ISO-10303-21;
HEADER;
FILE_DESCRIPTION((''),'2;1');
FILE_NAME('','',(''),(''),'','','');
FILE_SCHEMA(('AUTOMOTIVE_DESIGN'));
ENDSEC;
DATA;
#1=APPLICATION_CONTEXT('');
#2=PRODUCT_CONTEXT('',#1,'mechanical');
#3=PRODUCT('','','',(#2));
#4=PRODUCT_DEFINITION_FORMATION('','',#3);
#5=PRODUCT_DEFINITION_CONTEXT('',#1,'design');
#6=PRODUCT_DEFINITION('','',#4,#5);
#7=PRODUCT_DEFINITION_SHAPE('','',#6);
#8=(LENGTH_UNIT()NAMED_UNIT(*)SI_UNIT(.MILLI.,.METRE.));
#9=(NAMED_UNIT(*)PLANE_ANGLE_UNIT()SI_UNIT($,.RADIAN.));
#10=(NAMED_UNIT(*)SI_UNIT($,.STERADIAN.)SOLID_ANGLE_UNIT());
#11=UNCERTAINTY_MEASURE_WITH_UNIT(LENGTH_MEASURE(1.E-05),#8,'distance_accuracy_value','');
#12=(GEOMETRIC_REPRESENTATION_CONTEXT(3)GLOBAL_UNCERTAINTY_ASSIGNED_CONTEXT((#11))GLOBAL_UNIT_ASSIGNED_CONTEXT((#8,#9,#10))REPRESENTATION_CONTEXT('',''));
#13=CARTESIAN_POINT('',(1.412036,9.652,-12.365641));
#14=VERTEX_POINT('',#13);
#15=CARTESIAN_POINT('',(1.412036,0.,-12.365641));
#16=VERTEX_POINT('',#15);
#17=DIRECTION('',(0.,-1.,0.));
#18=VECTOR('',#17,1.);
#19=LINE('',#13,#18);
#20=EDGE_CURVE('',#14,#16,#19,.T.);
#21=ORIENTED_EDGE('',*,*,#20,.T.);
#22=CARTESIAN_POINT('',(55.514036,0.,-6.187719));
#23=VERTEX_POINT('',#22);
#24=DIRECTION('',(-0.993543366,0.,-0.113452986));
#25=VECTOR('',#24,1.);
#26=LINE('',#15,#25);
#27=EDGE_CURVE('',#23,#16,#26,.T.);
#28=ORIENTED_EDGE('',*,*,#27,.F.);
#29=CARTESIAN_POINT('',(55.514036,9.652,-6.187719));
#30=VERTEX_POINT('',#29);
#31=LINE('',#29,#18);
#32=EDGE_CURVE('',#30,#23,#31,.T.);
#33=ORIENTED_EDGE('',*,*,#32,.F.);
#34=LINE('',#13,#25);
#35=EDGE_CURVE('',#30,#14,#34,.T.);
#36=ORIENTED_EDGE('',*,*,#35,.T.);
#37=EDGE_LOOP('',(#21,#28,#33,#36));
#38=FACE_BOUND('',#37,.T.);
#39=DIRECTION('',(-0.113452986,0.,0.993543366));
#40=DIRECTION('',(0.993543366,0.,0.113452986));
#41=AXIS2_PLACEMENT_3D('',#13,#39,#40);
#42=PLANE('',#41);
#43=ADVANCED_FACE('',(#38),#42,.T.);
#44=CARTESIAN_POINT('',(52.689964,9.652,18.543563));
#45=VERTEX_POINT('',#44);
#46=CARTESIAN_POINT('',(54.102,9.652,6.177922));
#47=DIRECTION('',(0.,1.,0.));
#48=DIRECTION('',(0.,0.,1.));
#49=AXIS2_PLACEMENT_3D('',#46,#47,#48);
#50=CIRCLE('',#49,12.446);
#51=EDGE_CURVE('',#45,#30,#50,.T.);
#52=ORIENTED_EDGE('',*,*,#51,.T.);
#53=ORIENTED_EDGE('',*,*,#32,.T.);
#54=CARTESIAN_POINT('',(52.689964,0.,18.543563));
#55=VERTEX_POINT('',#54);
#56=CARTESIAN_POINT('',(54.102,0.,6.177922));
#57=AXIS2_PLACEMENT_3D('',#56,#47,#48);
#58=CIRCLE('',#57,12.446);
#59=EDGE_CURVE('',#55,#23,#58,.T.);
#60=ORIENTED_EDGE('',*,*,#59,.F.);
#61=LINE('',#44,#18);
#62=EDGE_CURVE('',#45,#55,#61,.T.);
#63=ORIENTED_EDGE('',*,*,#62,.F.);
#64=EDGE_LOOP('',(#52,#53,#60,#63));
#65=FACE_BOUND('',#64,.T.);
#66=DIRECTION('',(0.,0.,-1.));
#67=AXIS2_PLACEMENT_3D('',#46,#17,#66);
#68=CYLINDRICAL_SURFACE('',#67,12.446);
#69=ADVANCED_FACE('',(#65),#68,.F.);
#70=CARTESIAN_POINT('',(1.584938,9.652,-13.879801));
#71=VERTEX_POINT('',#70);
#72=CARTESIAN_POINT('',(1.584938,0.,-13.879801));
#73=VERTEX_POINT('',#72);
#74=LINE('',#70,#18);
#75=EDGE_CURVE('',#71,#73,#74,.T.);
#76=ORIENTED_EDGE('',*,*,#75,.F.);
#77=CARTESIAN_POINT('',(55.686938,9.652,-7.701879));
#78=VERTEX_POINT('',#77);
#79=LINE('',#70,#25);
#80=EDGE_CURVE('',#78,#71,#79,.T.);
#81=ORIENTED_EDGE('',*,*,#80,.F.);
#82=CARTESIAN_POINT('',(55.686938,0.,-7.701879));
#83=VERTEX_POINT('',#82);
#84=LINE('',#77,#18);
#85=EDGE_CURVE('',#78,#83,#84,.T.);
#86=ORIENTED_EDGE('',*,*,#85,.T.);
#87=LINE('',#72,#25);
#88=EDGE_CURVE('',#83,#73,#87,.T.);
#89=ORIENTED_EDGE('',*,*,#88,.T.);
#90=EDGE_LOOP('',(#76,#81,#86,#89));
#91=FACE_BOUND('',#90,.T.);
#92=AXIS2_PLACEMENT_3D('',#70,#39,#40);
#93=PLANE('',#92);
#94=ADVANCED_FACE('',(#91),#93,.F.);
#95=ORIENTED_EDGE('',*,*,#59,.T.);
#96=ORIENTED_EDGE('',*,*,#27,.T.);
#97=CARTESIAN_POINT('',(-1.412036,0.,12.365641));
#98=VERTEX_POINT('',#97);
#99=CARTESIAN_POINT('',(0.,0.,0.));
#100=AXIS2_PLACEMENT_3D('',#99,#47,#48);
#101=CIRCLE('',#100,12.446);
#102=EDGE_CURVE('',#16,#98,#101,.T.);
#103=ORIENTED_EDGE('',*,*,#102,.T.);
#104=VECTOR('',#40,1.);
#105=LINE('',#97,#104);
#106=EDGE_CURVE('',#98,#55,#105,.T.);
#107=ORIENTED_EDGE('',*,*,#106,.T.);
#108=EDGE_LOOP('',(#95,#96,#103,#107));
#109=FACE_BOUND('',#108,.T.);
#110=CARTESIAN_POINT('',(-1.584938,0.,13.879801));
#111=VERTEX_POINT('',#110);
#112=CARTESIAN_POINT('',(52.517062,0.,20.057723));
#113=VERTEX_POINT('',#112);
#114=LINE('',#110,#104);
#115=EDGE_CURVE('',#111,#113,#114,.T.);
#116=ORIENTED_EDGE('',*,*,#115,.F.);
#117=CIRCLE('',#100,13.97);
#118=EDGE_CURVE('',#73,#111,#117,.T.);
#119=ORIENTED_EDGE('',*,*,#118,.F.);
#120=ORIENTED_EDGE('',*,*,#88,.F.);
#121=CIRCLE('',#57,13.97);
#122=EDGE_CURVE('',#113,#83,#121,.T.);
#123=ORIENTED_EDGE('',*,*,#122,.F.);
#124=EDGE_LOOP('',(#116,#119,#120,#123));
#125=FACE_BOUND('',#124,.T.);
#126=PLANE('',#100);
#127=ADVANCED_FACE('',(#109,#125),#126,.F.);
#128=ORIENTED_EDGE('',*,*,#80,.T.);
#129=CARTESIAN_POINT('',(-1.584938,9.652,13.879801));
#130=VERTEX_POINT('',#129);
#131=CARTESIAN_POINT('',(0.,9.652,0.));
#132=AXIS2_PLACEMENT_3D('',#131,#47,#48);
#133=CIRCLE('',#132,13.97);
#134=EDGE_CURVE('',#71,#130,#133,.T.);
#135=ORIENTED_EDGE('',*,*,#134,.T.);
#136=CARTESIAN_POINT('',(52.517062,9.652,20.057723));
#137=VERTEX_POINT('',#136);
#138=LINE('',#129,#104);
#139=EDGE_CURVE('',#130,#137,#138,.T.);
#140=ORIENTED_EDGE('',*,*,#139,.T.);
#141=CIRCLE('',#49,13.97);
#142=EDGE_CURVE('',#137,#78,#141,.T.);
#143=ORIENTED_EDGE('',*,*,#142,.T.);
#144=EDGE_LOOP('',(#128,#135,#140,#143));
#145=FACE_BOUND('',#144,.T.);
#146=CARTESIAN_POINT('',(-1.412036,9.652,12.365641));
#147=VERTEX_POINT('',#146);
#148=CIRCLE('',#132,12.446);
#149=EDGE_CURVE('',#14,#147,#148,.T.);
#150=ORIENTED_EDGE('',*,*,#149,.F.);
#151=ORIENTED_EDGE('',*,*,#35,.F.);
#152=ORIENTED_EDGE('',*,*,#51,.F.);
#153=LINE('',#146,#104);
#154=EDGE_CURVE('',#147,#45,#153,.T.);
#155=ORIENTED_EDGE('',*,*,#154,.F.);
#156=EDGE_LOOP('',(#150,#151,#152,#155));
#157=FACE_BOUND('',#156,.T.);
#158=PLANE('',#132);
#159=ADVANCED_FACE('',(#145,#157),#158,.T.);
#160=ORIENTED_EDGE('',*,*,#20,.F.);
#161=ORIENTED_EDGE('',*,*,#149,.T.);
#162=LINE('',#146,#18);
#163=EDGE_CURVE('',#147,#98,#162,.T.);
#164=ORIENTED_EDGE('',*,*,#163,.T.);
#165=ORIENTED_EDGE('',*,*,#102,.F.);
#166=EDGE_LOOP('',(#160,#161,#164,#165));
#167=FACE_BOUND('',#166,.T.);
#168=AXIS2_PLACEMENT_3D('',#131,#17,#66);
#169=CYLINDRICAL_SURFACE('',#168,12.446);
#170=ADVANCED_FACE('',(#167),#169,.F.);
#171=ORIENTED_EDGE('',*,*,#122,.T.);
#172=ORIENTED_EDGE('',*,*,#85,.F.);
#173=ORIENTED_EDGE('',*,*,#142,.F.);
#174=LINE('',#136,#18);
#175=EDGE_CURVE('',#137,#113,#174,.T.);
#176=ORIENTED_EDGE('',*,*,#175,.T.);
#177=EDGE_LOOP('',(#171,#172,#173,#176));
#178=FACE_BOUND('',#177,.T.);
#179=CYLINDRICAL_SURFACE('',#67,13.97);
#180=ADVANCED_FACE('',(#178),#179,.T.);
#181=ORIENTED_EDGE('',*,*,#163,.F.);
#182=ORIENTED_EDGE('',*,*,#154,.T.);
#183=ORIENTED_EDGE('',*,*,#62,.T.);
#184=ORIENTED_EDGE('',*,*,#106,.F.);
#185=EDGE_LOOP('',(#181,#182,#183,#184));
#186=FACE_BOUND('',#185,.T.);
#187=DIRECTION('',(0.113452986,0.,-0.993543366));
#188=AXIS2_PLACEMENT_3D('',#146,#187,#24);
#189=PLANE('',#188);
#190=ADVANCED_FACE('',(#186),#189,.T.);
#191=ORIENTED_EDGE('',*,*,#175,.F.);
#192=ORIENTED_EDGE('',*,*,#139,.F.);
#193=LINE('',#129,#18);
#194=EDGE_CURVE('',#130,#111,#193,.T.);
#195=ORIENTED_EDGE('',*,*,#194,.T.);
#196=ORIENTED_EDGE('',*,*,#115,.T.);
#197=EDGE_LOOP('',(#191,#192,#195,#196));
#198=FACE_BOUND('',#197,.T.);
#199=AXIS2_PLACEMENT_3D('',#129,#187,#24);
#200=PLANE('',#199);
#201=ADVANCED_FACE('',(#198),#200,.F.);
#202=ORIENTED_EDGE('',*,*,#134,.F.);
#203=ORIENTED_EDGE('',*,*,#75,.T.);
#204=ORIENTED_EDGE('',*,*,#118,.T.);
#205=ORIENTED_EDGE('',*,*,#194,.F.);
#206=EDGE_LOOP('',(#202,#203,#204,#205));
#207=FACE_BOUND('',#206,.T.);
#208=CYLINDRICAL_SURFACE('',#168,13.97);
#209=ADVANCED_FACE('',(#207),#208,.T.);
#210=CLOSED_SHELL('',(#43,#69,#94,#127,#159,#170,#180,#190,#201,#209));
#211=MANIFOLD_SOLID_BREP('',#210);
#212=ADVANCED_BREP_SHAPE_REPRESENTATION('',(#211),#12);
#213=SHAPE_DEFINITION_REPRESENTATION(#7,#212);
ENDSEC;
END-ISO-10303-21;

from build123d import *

# Parameters (mm, degrees)
BOSS_EXTRUDE1_DEPTH = 9.652


with BuildPart() as part:
    # Sketch1 → Boss-Extrude1 (new body)
    with BuildSketch(Plane(origin=(0, 0, 0), x_dir=(1, 0, 0), z_dir=(0, 1, 0))):
        with BuildLine():
            Line((1.584938216, 13.879800822), (55.686938216, 7.701878783))
            ThreePointArc((55.686938216, 7.701878783), (67.981800822, -7.762860255), (52.517061784, -20.05772286))
            Line((52.517061784, -20.05772286), (-1.584938216, -13.879800822))
            ThreePointArc((-1.584938216, -13.879800822), (-13.879800822, 1.584938216), (1.584938216, 13.879800822))
        make_face()
        with BuildLine():
            Line((1.412035866, 12.365640732), (55.514035866, 6.187718694))
            ThreePointArc((55.514035866, 6.187718694), (66.467640732, -7.589957904), (52.689964134, -18.54356277))
            Line((52.689964134, -18.54356277), (-1.412035866, -12.365640732))
            ThreePointArc((-1.412035866, -12.365640732), (-12.365640732, 1.412035866), (1.412035866, 12.365640732))
        make_face(mode=Mode.SUBTRACT)
    extrude(amount=BOSS_EXTRUDE1_DEPTH)


solid = part.part
